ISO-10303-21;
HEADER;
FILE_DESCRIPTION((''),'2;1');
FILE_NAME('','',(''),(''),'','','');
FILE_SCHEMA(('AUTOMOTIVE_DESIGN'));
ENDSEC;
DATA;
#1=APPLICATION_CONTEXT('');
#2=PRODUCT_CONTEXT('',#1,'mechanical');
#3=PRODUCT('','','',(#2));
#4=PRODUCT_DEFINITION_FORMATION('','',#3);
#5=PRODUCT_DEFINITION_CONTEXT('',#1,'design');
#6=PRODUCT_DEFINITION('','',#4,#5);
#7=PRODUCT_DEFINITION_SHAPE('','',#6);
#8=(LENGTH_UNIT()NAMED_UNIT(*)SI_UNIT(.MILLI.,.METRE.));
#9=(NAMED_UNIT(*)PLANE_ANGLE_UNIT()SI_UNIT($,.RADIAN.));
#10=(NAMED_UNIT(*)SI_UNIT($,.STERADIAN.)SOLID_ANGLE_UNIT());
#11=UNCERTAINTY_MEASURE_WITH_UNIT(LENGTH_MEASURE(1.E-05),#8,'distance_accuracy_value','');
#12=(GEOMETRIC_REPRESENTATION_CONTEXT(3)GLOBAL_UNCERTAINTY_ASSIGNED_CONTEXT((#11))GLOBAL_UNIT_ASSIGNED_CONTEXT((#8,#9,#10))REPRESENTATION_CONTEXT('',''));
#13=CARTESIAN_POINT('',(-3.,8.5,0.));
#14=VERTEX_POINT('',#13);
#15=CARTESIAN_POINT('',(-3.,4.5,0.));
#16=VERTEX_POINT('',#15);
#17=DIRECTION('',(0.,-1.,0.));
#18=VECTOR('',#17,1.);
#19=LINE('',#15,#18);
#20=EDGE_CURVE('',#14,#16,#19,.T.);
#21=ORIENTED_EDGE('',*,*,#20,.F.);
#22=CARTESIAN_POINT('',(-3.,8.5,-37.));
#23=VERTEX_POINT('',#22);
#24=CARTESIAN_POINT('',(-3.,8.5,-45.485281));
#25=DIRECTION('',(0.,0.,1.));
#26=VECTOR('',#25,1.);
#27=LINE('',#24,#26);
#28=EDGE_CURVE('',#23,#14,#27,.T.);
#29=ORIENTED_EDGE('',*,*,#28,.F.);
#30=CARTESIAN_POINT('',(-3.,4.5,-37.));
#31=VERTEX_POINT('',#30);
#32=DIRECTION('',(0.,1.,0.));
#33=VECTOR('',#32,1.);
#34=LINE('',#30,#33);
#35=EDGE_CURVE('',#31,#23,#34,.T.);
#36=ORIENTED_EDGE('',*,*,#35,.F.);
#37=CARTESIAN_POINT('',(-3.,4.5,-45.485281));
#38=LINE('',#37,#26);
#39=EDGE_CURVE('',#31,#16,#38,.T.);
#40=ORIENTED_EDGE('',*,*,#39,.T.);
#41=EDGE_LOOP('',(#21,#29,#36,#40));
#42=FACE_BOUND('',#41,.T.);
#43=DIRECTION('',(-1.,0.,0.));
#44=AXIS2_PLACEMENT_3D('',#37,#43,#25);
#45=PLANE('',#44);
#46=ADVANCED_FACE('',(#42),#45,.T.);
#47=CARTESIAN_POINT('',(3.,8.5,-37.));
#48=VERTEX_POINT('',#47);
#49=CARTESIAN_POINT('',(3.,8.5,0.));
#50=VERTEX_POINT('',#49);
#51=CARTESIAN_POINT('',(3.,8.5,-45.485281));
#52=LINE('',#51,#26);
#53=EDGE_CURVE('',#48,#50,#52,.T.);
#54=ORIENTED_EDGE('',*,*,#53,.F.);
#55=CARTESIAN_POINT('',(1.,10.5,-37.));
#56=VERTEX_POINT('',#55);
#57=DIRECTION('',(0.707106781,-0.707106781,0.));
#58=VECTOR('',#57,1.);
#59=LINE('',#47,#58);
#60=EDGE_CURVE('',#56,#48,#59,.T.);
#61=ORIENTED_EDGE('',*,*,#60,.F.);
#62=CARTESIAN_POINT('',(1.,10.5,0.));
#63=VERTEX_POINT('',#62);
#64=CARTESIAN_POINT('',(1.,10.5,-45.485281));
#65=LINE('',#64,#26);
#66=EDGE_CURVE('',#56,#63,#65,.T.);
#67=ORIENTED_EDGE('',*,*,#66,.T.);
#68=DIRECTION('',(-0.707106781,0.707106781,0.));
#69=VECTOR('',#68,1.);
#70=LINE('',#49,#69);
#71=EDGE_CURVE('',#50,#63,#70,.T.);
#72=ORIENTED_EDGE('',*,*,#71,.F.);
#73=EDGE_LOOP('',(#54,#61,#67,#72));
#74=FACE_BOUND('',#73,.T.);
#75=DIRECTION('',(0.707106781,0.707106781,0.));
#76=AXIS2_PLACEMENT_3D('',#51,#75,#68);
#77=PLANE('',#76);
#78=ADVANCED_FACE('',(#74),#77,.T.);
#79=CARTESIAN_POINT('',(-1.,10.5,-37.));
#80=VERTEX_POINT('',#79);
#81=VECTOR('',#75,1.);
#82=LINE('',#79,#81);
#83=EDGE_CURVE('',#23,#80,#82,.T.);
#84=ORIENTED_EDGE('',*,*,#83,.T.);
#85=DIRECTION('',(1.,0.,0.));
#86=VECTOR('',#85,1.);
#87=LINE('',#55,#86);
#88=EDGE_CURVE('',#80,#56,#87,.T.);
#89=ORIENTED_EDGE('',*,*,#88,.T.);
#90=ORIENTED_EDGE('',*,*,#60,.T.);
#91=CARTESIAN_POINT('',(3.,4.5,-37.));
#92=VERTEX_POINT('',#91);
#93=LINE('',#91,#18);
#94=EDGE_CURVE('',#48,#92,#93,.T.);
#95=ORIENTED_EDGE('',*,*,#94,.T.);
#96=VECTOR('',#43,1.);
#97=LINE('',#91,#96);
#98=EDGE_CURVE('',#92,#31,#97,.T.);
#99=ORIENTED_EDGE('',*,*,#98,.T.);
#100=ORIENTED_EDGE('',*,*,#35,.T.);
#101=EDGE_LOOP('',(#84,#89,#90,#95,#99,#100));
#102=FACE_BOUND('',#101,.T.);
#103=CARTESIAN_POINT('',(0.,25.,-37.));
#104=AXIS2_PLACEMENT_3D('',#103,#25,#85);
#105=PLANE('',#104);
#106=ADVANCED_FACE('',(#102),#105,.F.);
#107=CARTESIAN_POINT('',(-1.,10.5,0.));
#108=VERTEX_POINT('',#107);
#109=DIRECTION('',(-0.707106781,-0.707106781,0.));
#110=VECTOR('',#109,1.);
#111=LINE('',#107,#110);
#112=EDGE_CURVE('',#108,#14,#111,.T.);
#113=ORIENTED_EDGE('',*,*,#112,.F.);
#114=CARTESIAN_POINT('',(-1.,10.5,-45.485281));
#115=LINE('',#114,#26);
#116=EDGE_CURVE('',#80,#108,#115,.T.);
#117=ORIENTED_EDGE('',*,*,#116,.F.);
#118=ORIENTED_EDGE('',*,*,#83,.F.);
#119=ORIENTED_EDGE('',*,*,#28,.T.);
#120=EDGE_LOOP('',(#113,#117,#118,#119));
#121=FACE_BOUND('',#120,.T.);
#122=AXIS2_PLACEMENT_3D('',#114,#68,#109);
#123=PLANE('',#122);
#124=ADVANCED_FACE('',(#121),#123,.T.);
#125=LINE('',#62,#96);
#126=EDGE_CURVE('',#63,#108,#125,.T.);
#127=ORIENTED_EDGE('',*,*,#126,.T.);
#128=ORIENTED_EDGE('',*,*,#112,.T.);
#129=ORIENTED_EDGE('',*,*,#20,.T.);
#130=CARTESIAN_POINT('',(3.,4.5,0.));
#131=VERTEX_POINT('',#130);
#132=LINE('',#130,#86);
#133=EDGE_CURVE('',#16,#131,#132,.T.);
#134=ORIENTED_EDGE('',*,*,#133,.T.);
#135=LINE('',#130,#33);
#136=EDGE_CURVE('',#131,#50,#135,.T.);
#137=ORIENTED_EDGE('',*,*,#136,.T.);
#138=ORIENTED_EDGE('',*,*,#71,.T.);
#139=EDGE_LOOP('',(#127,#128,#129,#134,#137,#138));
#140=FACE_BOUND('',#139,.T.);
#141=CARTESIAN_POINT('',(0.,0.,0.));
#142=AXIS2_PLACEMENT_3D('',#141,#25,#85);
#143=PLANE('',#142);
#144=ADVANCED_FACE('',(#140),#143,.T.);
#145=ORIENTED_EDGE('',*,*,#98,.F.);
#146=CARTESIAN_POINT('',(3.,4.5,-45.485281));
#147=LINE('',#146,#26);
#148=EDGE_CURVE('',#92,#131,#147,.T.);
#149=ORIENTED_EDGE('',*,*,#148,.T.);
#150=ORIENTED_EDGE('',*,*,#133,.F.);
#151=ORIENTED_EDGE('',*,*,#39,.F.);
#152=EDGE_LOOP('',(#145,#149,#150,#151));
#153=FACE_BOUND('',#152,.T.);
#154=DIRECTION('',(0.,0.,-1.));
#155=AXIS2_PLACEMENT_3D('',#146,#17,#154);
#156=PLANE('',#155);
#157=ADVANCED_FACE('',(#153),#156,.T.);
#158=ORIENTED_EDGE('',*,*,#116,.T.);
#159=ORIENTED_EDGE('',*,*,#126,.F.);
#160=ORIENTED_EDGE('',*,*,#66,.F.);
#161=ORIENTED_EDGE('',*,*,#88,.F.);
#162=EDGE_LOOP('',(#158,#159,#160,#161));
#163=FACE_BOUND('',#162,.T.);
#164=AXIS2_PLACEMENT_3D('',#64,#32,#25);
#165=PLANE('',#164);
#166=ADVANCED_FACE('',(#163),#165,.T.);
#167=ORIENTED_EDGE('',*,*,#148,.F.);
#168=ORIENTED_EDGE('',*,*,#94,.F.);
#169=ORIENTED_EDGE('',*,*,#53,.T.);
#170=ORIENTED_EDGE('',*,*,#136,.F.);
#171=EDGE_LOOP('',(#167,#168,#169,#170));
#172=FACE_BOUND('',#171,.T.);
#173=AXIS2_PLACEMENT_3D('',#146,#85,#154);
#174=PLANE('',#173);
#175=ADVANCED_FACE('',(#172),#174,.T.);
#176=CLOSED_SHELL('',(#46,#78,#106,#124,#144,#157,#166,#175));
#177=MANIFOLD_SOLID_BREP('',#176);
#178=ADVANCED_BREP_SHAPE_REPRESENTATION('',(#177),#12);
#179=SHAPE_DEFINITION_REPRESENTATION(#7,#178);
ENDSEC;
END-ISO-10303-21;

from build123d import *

# Parameters (mm, degrees)
EXTRUDE_1_DEPTH = 37


with BuildPart() as part:
    # Эскиз1 → Бобышка-Вытянуть1 (new body)
    with BuildSketch(Plane.XY):
        Polygon((3, 4.5), (-3, 4.5), (-3, 8.5), (-1, 10.5), (1, 10.5), (3, 8.5), align=None)
    extrude(amount=-EXTRUDE_1_DEPTH)


solid = part.part
